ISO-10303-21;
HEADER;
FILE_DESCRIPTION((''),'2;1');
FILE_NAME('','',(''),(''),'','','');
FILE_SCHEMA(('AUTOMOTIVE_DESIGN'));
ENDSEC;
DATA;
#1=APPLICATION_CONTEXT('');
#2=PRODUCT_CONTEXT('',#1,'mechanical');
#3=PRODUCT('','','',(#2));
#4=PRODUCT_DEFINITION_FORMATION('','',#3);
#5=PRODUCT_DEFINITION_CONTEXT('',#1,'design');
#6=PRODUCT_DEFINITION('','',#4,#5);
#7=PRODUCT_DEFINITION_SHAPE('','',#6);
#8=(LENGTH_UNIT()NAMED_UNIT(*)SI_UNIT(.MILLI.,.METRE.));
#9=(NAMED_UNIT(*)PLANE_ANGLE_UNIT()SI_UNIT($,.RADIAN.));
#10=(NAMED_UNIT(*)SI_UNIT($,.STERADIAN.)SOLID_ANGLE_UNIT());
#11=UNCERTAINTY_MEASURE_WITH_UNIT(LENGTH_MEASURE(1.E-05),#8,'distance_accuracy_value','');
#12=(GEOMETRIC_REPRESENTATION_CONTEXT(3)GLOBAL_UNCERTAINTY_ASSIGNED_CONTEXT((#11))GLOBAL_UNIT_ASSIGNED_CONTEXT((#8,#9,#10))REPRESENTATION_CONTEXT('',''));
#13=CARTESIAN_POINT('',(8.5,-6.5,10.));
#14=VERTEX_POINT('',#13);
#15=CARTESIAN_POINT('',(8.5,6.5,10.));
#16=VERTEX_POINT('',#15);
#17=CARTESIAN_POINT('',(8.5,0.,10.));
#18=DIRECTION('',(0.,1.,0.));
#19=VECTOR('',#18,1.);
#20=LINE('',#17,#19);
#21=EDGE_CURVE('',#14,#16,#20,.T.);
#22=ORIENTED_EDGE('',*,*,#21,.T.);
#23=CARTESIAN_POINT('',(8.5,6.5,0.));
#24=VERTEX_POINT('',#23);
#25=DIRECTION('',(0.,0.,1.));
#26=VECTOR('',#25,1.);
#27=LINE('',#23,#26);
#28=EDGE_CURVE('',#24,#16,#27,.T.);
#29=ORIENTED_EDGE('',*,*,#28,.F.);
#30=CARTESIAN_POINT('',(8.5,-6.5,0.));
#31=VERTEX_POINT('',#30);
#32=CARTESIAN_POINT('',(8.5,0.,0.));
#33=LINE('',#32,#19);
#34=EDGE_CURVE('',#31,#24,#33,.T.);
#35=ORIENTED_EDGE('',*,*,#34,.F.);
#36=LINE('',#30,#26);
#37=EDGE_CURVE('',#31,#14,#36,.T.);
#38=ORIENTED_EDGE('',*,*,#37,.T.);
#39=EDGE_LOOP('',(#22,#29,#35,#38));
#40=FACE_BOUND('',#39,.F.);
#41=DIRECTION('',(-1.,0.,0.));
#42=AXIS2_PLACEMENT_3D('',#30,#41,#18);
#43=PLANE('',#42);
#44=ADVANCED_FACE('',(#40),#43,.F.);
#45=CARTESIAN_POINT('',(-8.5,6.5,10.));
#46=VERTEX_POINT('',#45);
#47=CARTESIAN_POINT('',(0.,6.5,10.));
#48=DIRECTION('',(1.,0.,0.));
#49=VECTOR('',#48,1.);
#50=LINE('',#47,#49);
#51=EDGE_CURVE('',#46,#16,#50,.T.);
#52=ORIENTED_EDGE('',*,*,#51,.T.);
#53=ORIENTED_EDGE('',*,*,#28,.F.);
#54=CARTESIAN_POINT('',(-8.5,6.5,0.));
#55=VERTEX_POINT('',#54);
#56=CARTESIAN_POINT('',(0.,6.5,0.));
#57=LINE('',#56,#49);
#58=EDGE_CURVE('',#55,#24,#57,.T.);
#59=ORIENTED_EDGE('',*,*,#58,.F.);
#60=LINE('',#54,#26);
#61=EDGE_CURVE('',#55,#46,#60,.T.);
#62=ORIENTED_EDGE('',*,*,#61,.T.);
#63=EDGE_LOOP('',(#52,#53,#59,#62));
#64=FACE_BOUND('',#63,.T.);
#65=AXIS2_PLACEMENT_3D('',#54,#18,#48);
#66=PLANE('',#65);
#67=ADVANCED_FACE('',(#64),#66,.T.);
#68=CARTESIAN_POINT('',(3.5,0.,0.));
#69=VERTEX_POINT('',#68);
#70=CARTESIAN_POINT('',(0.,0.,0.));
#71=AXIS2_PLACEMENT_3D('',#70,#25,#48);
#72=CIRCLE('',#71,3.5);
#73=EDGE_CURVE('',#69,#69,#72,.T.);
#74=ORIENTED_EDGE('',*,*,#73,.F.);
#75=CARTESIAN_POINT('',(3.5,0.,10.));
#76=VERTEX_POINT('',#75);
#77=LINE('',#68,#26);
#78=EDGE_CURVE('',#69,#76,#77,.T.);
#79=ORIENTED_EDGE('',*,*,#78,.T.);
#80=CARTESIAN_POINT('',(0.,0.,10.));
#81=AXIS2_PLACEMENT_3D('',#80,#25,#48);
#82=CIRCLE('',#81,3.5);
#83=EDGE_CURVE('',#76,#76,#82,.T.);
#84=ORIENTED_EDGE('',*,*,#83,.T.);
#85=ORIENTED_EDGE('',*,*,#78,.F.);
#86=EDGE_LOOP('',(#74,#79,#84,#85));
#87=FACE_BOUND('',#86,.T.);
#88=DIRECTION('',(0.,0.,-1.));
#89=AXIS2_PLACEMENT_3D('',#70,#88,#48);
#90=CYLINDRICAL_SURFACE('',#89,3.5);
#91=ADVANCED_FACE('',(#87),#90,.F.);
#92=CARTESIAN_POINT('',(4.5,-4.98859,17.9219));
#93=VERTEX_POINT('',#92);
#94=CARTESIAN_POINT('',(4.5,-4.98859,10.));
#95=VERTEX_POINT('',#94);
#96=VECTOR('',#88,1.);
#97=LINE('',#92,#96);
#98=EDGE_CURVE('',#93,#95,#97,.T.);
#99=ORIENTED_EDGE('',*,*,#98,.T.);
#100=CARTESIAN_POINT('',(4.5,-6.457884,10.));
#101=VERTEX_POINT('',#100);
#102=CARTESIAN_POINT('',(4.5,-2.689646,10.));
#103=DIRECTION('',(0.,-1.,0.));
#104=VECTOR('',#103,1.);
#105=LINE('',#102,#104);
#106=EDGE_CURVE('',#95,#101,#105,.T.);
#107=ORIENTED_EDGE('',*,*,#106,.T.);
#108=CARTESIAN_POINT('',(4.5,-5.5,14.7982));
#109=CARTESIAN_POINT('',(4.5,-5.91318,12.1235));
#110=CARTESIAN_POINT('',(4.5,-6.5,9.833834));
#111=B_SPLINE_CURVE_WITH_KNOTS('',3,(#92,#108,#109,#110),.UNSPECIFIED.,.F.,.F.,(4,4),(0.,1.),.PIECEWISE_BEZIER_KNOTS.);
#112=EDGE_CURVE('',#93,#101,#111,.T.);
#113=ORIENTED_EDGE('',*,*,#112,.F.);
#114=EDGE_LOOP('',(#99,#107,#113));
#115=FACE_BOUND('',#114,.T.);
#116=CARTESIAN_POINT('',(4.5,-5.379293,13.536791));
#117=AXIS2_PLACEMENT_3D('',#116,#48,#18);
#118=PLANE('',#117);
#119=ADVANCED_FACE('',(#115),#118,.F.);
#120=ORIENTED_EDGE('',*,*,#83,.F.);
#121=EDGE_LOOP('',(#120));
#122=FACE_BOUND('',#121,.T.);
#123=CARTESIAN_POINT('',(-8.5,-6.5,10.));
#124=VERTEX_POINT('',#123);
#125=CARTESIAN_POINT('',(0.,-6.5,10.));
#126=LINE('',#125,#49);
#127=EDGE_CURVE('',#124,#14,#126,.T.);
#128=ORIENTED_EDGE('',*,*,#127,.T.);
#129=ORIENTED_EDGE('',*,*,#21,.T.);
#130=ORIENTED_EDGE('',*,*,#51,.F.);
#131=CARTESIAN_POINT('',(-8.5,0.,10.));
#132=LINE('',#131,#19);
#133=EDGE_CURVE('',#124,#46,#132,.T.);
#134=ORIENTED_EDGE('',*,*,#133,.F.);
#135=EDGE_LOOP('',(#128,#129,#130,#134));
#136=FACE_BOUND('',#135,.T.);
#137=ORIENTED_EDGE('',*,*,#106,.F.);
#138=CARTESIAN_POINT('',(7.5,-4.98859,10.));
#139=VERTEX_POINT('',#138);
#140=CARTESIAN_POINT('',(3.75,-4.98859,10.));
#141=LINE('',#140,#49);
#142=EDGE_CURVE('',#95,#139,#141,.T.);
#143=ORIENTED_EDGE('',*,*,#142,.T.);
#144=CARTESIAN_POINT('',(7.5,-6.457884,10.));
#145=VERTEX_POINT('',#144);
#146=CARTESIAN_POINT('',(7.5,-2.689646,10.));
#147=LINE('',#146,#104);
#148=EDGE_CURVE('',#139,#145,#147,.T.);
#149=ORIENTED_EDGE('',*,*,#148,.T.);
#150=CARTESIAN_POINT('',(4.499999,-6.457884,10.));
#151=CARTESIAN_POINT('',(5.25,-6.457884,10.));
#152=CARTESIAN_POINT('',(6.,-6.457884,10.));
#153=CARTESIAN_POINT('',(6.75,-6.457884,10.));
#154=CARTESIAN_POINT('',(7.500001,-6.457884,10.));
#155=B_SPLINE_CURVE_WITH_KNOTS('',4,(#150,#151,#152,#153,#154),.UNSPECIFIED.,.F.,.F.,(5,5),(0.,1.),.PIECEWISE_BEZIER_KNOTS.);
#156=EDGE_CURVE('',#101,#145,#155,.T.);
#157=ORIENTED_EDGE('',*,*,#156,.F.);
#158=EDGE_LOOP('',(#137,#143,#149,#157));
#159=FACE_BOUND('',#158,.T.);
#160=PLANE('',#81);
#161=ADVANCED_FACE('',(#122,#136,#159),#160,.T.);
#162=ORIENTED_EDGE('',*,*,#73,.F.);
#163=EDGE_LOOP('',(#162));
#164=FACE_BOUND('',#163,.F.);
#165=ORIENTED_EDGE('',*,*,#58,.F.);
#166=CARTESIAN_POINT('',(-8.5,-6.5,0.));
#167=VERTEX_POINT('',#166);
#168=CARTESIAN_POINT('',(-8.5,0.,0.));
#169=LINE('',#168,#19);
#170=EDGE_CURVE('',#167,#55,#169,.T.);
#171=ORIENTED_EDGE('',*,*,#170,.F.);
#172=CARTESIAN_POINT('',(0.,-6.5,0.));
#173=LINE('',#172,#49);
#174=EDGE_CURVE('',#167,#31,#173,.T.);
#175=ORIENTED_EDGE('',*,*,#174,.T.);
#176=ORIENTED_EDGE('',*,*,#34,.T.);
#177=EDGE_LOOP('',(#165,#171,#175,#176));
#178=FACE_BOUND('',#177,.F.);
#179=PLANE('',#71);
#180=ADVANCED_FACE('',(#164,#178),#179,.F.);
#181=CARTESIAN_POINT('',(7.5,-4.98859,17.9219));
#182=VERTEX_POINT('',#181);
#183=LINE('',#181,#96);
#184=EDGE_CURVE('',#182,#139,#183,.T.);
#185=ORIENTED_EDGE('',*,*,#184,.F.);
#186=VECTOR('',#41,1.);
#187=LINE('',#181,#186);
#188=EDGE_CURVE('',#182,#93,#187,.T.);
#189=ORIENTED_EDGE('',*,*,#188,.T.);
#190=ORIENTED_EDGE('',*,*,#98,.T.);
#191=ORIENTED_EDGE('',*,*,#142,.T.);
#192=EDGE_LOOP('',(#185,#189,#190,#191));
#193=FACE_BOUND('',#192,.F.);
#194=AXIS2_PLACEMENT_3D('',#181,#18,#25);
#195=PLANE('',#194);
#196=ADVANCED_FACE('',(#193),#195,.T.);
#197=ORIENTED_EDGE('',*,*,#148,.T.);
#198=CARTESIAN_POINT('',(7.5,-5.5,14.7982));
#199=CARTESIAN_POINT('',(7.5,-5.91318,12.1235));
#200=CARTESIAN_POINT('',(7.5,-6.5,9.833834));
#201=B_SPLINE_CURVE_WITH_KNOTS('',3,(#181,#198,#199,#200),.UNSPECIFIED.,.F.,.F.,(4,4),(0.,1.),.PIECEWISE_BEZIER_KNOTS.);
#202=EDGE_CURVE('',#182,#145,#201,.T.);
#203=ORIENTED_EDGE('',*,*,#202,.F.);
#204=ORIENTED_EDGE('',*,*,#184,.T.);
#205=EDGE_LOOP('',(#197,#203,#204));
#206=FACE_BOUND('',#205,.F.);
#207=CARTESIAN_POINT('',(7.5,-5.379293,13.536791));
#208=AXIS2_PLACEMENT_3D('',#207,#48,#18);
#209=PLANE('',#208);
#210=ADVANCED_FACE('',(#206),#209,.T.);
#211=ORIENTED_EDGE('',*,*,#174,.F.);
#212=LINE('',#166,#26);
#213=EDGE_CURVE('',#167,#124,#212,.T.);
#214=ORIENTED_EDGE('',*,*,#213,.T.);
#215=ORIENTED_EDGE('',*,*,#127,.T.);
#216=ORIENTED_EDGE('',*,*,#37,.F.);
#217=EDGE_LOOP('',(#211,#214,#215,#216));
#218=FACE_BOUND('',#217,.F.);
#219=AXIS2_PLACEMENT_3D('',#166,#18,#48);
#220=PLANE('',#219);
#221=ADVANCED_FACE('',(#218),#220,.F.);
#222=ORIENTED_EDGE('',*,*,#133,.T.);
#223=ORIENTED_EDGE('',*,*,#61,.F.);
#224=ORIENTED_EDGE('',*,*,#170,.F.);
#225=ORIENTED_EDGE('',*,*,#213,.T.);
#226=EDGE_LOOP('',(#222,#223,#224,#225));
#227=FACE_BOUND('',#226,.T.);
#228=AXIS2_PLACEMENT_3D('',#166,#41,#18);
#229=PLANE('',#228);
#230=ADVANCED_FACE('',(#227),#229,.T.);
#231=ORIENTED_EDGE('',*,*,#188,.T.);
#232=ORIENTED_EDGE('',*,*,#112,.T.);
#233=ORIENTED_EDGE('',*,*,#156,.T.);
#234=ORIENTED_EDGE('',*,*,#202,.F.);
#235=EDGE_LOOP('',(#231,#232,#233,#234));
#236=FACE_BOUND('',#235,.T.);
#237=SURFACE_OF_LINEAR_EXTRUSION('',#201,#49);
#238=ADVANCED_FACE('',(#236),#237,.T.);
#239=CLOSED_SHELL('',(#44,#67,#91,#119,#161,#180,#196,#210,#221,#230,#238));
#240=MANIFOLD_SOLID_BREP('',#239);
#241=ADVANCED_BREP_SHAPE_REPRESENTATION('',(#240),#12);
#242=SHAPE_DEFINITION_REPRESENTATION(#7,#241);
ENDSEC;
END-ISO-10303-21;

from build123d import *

# Parameters (mm, degrees)
SKETCH_W     = 17
SKETCH_H     = 13
SKETCH_R     = 3.5
PAD_DEPTH    = 10
PAD001_DEPTH = 3


with BuildPart() as support_pd:
    # Sketch → Pad (new body)
    with BuildSketch(Plane.XY):
        Rectangle(SKETCH_W, SKETCH_H)
        Circle(SKETCH_R, mode=Mode.SUBTRACT)
    extrude(amount=PAD_DEPTH)


with BuildPart() as renfort_pad:
    # Pad001 base: copy of support_pd
    add(support_pd.part)

    # Sketch003 → Pad001 (new body)
    with BuildSketch(Plane.YZ.offset(7.5)):
        with BuildLine():
            Line((4.98859, 17.9219), (4.98859, 9.858518))
            Line((4.98859, 9.858518), (6.5, 9.833834))
            add(Edge.make_bspline(
                [(4.98859, 17.9219), (5.5, 14.7982), (5.91318, 12.1235), (6.5, 9.833834)],
                knots=[0, 0, 0, 0, 1, 1, 1, 1], degree=3))
        make_face()
    pad001 = extrude(amount=-PAD001_DEPTH)


with BuildPart() as mirrored:
    # Mirrored base: copy of support_pd
    add(support_pd.part)

    # Mirrored: Pad001 across Sketch003 V_Axis
    add(pad001.mirror(Plane(origin=(7.5, 0, 0), x_dir=(1, 0, 0), z_dir=(0, 1, 0))))


solid = mirrored.part
